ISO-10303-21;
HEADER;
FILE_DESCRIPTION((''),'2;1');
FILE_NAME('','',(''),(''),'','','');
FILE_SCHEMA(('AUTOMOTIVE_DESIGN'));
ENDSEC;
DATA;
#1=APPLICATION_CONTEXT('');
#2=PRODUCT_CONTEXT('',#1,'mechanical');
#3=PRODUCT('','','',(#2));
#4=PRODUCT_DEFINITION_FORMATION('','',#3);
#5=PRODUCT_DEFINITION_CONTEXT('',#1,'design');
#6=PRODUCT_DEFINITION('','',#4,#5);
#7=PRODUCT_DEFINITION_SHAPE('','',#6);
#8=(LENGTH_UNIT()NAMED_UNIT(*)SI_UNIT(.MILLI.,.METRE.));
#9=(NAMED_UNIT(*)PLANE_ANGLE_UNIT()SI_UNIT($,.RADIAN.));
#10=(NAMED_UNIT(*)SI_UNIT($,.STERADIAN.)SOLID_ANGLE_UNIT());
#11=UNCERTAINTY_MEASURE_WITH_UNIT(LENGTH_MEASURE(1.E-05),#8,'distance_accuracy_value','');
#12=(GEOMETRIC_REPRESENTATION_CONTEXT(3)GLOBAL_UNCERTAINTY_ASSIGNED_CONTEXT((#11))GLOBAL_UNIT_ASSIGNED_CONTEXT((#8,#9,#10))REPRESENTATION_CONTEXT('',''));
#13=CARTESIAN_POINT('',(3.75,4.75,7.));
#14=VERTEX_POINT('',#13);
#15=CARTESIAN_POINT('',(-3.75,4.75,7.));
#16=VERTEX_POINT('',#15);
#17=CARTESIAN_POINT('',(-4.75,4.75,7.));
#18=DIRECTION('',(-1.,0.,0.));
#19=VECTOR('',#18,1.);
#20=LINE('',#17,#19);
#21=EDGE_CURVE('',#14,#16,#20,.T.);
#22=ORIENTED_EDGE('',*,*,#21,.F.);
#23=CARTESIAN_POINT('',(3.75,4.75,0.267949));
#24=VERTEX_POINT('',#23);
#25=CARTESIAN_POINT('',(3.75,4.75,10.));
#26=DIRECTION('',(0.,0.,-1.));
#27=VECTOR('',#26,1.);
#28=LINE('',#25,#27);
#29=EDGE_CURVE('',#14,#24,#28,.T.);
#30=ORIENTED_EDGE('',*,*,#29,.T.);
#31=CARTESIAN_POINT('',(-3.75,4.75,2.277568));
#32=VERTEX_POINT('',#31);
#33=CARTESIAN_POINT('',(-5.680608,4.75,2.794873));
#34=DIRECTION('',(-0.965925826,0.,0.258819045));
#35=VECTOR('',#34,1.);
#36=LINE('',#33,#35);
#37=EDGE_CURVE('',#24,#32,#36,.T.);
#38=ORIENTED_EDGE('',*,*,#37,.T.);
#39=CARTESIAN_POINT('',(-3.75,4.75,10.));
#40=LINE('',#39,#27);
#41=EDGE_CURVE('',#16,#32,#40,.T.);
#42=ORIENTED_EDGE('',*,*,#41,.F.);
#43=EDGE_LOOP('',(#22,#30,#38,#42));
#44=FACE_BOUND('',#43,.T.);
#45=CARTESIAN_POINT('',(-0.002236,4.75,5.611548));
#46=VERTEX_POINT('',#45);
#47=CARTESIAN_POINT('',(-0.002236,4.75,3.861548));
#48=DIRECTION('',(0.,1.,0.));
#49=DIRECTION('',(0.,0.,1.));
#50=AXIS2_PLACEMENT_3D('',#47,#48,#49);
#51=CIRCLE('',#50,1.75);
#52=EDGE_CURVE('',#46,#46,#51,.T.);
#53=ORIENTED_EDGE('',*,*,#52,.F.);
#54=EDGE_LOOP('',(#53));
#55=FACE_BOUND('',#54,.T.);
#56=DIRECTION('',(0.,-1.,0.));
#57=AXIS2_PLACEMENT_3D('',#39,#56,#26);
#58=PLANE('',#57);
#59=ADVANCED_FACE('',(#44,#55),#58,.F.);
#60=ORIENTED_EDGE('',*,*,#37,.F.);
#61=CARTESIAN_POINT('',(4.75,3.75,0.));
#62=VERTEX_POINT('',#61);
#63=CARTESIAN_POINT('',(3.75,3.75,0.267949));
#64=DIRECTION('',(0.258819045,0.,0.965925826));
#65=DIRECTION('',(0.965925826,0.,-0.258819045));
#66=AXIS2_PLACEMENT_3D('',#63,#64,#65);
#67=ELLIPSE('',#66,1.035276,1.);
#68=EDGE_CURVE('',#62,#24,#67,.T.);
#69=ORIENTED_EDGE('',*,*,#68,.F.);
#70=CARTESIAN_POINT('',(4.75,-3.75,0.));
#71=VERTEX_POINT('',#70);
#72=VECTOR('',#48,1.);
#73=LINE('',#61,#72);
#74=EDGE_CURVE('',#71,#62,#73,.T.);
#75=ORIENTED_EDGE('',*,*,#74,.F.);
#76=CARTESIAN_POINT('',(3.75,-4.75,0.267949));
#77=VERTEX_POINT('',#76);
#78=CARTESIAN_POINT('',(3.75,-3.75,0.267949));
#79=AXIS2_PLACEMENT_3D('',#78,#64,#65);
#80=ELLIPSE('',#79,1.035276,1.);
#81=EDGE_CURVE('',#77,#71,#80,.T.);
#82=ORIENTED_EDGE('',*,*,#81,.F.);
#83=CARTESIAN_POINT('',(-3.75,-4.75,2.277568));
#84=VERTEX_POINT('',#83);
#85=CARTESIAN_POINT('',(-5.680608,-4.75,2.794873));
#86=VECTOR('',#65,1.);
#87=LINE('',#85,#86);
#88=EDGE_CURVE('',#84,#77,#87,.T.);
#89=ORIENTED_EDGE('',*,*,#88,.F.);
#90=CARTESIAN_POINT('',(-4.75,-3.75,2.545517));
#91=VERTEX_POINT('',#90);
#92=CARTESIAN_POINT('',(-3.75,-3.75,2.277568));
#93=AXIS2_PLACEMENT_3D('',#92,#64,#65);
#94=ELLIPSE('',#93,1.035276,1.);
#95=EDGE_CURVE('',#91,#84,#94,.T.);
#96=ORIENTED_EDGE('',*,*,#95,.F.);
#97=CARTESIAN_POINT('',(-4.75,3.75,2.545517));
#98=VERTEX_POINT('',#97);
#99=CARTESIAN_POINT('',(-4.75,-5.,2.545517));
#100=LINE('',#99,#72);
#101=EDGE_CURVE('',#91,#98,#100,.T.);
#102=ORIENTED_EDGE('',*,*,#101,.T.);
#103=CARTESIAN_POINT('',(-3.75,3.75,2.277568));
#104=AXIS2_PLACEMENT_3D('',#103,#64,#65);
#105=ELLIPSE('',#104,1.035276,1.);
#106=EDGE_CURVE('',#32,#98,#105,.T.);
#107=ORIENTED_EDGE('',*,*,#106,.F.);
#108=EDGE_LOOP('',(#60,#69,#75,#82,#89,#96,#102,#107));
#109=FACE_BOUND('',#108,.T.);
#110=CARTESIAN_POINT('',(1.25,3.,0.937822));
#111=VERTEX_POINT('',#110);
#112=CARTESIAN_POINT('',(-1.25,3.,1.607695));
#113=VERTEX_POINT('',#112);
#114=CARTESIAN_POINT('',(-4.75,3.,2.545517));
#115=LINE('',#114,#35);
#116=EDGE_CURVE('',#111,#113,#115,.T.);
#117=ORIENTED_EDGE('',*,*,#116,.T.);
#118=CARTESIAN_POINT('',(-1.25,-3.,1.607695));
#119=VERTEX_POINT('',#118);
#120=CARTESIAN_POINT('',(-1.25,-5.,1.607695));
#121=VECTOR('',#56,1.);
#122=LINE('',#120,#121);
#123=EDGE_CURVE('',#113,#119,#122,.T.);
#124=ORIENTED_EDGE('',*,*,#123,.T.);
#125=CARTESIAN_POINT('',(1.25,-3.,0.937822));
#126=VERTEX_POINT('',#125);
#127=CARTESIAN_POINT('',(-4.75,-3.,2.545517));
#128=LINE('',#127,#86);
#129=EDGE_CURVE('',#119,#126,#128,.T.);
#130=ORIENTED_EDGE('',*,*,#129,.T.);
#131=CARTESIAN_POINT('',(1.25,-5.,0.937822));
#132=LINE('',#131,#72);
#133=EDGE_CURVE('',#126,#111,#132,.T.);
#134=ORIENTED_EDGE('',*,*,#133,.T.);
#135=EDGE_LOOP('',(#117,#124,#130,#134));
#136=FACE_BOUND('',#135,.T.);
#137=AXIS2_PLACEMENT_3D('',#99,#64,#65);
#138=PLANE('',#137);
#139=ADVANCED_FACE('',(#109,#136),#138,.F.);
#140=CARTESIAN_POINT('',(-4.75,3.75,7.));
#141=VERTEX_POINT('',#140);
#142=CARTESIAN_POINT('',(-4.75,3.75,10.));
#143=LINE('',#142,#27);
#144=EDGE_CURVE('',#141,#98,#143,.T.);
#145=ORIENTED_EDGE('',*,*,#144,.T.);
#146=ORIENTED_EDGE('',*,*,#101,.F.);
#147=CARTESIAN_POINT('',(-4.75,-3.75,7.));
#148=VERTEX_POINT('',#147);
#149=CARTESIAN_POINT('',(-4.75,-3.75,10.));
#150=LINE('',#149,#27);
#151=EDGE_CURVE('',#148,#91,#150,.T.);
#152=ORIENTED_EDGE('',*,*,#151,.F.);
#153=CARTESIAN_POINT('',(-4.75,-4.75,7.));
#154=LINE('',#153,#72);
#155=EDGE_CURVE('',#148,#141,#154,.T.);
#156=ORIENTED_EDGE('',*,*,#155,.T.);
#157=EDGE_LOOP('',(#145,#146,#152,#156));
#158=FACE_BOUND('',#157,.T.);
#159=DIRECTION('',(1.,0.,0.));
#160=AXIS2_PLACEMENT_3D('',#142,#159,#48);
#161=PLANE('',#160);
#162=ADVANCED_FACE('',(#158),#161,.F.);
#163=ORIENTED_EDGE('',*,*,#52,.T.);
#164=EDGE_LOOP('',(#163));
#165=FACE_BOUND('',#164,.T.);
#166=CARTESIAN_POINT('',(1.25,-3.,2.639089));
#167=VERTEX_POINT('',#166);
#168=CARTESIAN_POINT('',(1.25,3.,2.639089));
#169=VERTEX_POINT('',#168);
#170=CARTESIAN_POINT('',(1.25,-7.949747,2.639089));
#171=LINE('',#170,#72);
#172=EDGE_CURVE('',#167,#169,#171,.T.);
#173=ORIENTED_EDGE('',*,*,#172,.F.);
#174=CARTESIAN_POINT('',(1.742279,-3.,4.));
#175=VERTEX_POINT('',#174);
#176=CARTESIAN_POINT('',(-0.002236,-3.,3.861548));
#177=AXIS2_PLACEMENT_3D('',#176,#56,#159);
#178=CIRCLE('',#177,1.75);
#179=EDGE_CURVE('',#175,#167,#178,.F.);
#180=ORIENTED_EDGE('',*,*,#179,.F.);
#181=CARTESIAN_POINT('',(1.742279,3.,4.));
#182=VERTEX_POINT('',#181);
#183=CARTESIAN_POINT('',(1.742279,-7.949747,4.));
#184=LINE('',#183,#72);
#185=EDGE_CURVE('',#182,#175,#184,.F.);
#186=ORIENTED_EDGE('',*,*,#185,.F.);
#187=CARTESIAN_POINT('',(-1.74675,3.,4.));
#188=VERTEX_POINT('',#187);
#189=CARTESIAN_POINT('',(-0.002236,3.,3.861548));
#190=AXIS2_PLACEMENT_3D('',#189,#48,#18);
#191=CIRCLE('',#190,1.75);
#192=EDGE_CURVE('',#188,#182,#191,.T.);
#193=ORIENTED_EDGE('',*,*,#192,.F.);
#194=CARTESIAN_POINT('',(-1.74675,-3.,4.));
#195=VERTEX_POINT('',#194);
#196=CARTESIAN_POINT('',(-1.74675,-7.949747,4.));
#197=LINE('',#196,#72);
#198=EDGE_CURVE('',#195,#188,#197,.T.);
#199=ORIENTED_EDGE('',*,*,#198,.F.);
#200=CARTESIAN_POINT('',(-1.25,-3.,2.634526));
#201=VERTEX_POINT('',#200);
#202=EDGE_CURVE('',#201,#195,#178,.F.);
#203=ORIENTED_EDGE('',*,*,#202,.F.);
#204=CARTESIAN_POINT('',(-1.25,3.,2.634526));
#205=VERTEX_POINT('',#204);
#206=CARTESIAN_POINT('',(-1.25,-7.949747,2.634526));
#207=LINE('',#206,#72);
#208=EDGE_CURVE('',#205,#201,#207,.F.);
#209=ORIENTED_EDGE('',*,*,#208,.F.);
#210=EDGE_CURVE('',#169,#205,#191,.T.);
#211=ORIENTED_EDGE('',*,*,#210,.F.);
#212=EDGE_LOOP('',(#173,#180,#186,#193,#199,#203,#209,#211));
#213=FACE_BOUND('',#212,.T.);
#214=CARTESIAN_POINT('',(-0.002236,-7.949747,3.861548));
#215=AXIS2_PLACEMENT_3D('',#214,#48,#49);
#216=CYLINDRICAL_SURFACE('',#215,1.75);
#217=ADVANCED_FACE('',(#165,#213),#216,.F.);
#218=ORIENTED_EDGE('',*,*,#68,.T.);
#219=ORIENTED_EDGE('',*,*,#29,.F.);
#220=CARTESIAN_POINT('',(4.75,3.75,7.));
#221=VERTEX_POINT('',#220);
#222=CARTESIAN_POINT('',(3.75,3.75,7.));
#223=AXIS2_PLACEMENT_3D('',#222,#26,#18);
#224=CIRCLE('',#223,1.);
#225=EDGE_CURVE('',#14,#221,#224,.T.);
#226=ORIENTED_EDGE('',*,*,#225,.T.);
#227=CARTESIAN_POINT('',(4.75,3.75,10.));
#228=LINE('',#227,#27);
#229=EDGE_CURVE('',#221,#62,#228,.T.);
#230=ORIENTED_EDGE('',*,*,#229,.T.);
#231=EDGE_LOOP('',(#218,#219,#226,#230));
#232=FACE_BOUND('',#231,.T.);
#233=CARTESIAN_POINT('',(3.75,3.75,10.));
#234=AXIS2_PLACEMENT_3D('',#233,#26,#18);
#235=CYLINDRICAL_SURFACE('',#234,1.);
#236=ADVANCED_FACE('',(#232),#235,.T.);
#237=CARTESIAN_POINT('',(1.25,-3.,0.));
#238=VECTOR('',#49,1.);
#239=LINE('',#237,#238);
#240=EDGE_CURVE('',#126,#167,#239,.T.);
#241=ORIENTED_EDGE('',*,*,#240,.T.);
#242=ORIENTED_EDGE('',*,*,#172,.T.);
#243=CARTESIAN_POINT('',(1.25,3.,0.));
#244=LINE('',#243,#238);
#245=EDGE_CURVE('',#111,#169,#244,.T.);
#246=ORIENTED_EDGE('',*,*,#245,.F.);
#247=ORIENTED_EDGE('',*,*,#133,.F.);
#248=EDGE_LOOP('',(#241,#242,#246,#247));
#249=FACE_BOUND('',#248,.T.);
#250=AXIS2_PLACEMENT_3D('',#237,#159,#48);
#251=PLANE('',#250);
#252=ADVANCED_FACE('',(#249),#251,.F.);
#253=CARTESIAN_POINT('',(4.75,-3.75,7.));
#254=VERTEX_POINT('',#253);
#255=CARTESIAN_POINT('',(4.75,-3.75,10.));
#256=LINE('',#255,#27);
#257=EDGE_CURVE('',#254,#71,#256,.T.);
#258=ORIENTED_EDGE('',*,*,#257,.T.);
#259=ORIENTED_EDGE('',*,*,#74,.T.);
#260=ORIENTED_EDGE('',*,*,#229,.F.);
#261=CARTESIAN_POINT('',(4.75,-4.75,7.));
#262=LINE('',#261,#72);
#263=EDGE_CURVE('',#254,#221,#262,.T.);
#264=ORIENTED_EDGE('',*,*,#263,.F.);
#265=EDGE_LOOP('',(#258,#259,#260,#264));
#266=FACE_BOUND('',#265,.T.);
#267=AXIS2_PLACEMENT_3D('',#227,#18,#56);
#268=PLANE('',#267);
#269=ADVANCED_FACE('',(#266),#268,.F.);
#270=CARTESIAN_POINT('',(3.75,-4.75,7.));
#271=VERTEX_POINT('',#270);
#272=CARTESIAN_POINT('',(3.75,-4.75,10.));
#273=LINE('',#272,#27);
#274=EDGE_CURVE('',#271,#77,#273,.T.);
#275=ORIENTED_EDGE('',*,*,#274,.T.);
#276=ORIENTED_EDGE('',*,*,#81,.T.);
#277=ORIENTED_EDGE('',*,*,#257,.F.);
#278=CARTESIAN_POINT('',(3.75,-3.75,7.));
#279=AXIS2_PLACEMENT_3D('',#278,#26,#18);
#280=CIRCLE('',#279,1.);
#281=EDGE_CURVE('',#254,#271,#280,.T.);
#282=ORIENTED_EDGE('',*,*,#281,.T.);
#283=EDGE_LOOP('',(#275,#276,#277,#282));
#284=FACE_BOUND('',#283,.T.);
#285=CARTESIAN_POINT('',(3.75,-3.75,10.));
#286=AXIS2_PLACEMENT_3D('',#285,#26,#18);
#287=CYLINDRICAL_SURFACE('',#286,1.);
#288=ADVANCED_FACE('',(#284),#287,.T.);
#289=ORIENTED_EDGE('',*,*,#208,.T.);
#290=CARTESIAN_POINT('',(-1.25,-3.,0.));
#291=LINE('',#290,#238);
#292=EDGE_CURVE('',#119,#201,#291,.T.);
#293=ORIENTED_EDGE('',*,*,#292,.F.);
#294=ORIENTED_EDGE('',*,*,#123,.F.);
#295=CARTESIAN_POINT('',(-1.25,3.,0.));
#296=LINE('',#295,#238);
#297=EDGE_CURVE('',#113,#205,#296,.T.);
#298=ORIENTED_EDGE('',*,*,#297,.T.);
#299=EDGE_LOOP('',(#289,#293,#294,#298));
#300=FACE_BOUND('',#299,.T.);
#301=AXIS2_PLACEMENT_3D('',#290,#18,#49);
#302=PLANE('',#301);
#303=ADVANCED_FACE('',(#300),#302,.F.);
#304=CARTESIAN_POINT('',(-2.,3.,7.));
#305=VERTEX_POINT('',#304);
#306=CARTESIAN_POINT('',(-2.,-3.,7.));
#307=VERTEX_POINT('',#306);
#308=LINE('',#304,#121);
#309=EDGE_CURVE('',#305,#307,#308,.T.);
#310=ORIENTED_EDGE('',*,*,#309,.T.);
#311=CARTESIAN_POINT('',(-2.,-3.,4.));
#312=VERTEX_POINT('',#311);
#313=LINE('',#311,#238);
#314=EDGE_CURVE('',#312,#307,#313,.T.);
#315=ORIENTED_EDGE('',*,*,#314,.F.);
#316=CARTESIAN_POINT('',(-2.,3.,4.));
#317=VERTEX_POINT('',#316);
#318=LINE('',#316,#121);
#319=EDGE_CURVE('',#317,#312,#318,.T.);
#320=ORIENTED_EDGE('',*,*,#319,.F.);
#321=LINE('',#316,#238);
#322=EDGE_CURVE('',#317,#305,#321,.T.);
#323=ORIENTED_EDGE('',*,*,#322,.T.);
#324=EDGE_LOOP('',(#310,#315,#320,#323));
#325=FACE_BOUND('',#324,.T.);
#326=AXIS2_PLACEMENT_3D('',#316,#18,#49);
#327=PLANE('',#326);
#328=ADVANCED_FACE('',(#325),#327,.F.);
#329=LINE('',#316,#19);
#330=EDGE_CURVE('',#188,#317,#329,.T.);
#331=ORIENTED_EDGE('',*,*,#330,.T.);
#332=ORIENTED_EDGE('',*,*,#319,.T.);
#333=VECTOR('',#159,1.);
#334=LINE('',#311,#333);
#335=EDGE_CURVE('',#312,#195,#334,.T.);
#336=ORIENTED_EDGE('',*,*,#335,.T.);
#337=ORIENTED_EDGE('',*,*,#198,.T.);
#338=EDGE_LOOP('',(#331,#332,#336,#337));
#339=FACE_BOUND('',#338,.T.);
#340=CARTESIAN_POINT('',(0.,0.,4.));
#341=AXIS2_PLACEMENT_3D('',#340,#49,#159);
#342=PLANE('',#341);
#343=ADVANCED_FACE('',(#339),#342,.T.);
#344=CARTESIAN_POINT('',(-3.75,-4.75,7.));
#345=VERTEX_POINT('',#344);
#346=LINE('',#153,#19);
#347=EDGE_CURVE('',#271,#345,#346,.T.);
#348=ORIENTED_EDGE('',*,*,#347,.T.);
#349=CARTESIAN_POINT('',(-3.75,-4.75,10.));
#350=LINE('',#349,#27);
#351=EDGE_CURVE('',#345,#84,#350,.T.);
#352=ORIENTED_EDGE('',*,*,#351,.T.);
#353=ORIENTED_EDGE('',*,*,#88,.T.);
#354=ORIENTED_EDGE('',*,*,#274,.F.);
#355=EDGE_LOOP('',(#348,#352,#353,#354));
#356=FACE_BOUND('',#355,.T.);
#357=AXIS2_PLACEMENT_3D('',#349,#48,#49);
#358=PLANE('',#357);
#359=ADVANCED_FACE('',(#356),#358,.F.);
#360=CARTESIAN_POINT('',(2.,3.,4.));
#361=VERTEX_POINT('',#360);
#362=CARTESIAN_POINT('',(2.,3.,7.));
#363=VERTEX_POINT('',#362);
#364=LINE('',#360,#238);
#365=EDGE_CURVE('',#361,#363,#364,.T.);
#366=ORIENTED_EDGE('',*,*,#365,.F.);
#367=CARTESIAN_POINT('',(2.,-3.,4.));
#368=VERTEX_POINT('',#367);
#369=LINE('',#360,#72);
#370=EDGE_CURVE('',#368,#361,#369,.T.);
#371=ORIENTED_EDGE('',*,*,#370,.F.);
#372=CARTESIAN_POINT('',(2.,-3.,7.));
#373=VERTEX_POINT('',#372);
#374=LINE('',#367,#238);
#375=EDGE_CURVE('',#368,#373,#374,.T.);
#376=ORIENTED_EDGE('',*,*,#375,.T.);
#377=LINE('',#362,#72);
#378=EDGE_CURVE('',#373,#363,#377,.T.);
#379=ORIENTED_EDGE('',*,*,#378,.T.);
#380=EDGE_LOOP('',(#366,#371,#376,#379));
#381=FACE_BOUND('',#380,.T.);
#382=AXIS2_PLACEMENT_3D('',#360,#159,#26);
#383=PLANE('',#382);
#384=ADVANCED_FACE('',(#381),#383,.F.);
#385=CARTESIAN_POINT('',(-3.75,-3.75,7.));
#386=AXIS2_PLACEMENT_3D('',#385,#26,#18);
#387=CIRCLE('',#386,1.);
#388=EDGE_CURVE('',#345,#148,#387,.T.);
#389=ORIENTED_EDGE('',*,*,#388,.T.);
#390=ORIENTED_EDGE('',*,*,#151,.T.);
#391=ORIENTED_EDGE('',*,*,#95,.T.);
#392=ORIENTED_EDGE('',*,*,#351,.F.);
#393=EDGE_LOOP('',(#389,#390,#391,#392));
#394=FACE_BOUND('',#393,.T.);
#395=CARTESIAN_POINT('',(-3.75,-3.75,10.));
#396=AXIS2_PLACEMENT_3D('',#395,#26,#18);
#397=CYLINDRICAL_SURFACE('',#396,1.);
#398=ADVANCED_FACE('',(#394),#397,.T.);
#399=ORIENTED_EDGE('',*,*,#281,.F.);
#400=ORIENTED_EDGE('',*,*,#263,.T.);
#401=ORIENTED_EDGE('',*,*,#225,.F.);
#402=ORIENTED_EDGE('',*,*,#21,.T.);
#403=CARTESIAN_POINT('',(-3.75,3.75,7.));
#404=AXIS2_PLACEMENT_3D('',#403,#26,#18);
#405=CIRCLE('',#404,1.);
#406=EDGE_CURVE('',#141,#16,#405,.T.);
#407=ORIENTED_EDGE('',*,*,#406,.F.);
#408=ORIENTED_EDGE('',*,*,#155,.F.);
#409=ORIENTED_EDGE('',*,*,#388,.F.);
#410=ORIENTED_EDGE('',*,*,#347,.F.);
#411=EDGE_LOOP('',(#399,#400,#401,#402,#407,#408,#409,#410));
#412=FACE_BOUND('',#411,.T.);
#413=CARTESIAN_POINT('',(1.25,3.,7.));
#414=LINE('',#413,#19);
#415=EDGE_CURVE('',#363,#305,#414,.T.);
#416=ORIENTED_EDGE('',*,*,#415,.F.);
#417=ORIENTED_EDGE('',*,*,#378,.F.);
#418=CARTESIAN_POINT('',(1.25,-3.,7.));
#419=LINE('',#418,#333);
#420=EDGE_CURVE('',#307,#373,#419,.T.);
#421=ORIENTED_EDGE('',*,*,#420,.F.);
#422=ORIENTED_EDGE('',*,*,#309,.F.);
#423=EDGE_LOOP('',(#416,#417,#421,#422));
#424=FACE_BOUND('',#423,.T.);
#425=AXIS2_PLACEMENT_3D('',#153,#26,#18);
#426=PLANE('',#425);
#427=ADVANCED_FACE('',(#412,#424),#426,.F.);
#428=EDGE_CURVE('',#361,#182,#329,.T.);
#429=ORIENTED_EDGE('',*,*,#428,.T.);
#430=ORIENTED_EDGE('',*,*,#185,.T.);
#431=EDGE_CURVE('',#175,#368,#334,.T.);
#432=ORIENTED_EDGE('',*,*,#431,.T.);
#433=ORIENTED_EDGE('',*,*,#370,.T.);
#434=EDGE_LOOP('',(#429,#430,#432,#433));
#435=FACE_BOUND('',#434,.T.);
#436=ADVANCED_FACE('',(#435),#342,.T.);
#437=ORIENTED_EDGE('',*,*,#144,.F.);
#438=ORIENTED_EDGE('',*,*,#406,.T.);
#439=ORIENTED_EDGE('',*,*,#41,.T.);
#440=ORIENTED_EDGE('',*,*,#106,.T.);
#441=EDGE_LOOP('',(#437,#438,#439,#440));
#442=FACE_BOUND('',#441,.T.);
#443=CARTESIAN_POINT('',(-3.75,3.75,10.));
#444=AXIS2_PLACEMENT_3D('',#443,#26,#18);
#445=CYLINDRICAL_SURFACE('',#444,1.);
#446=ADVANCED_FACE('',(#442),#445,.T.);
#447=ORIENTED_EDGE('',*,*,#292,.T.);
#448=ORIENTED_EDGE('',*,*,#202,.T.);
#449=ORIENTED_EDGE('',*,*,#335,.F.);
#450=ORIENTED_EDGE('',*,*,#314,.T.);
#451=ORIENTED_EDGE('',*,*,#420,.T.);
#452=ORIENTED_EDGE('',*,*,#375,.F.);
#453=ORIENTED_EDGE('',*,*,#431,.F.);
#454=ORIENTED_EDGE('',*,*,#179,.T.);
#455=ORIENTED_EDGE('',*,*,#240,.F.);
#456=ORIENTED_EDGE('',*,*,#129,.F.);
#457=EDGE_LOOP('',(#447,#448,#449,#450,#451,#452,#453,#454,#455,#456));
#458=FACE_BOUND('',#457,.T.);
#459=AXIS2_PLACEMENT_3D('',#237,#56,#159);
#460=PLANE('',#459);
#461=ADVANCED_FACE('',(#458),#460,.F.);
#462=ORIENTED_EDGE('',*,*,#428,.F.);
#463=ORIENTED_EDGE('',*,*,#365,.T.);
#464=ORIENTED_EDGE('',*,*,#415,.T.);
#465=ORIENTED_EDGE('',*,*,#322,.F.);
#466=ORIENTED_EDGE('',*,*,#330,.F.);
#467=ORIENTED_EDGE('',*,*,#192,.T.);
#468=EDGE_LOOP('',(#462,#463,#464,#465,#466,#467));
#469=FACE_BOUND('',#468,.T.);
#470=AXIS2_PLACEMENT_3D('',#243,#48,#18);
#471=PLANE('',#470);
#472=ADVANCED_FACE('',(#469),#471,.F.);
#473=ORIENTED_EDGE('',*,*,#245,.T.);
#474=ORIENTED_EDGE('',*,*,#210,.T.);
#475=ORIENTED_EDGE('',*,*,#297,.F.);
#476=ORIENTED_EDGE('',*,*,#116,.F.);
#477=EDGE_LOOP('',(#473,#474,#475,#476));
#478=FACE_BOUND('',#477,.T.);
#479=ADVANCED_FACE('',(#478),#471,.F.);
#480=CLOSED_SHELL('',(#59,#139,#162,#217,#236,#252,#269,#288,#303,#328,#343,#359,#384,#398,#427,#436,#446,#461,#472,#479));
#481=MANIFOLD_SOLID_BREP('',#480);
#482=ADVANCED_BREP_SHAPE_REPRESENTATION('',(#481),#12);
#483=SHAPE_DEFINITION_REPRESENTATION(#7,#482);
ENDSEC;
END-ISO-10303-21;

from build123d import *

# Parameters (mm, degrees)
BOSS_EXTRUDE1_DEPTH = 10
CUT_EXTRUDE1_DEPTH  = 5
SKETCH11_W          = 9.5
SKETCH11_H          = 3
CUT_EXTRUDE9_DEPTH  = 15.588094461
SKETCH17_W          = 2.5
SKETCH17_H          = 6
CUT_EXTRUDE13_DEPTH = 10.701803956
CUT_EXTRUDE14_REACH = 14.721
SKETCH16_R          = 1.75
SKETCH18_W          = 4
SKETCH18_H          = 6
CUT_EXTRUDE15_DEPTH = 3


with BuildPart() as part:
    # Sketch1 → Boss-Extrude1 (new body)
    with BuildSketch(Plane.XY):
        with BuildLine():
            Line((-3.75, 4.75), (3.75, 4.75))
            ThreePointArc((3.75, 4.75), (4.457106781, 4.457106781), (4.75, 3.75))
            Line((4.75, 3.75), (4.75, -3.75))
            ThreePointArc((4.75, -3.75), (4.457106781, -4.457106781), (3.75, -4.75))
            Line((3.75, -4.75), (-3.75, -4.75))
            ThreePointArc((-3.75, -4.75), (-4.457106781, -4.457106781), (-4.75, -3.75))
            Line((-4.75, -3.75), (-4.75, 3.75))
            ThreePointArc((-4.75, 3.75), (-4.457106781, 4.457106781), (-3.75, 4.75))
        make_face()
    extrude(amount=BOSS_EXTRUDE1_DEPTH)

    # Sketch2 → Cut-Extrude1 (cut, symmetric)
    with BuildSketch(Plane(origin=(0, 0, 0), x_dir=(1, 0, 0), z_dir=(0, 1, 0))):
        Polygon((4.75, 0), (-4.75, 0), (-4.75, -2.545517328), align=None)
    extrude(amount=CUT_EXTRUDE1_DEPTH, both=True, mode=Mode.SUBTRACT)

    # Sketch11 → Cut-Extrude9 (cut, through all)
    with BuildSketch(Plane(origin=(0, 4.75, 0), x_dir=(1, 0, 0), z_dir=(0, 1, 0))):
        with Locations((0, -8.5)):
            Rectangle(SKETCH11_W, SKETCH11_H)
    extrude(amount=-CUT_EXTRUDE9_DEPTH, mode=Mode.SUBTRACT)

    # Sketch17 → Cut-Extrude13 (cut, through all)
    with BuildSketch(Plane.XY.offset(7)):
        Rectangle(SKETCH17_W, SKETCH17_H)
    extrude(amount=-CUT_EXTRUDE13_DEPTH, mode=Mode.SUBTRACT)

    # Cut-Extrude14: up to this face of the body (flat: up to its plane)
    cut_extrude14_end = Plane(part.part.faces().sort_by_distance((0.024367206, -3, 4.133114745))[0])
    # Sketch16 → Cut-Extrude14 (cut, up to the picked face)
    with BuildSketch(Plane(origin=(0, 4.75, 0), x_dir=(1, 0, 0), z_dir=(0, 1, 0)), mode=Mode.PRIVATE) as cut_extrude14_sk1:
        with Locations(Location((-0.002235874, -3.861548216, 0), (0, 0, 270))):
            Circle(SKETCH16_R)
    cut_extrude14_tool1 = split(extrude(cut_extrude14_sk1.sketch, amount=-CUT_EXTRUDE14_REACH, mode=Mode.PRIVATE), bisect_by=cut_extrude14_end, keep=Keep.BOTH, mode=Mode.PRIVATE)
    add(cut_extrude14_tool1.solids().sort_by(Axis((-0.002236, 4.75, 3.861548), (0, -1, 0)))[0], mode=Mode.SUBTRACT)

    # Sketch18 → Cut-Extrude15 (cut)
    with BuildSketch(Plane.XY.offset(7)):
        Rectangle(SKETCH18_W, SKETCH18_H)
    extrude(amount=-CUT_EXTRUDE15_DEPTH, mode=Mode.SUBTRACT)


solid = part.part
